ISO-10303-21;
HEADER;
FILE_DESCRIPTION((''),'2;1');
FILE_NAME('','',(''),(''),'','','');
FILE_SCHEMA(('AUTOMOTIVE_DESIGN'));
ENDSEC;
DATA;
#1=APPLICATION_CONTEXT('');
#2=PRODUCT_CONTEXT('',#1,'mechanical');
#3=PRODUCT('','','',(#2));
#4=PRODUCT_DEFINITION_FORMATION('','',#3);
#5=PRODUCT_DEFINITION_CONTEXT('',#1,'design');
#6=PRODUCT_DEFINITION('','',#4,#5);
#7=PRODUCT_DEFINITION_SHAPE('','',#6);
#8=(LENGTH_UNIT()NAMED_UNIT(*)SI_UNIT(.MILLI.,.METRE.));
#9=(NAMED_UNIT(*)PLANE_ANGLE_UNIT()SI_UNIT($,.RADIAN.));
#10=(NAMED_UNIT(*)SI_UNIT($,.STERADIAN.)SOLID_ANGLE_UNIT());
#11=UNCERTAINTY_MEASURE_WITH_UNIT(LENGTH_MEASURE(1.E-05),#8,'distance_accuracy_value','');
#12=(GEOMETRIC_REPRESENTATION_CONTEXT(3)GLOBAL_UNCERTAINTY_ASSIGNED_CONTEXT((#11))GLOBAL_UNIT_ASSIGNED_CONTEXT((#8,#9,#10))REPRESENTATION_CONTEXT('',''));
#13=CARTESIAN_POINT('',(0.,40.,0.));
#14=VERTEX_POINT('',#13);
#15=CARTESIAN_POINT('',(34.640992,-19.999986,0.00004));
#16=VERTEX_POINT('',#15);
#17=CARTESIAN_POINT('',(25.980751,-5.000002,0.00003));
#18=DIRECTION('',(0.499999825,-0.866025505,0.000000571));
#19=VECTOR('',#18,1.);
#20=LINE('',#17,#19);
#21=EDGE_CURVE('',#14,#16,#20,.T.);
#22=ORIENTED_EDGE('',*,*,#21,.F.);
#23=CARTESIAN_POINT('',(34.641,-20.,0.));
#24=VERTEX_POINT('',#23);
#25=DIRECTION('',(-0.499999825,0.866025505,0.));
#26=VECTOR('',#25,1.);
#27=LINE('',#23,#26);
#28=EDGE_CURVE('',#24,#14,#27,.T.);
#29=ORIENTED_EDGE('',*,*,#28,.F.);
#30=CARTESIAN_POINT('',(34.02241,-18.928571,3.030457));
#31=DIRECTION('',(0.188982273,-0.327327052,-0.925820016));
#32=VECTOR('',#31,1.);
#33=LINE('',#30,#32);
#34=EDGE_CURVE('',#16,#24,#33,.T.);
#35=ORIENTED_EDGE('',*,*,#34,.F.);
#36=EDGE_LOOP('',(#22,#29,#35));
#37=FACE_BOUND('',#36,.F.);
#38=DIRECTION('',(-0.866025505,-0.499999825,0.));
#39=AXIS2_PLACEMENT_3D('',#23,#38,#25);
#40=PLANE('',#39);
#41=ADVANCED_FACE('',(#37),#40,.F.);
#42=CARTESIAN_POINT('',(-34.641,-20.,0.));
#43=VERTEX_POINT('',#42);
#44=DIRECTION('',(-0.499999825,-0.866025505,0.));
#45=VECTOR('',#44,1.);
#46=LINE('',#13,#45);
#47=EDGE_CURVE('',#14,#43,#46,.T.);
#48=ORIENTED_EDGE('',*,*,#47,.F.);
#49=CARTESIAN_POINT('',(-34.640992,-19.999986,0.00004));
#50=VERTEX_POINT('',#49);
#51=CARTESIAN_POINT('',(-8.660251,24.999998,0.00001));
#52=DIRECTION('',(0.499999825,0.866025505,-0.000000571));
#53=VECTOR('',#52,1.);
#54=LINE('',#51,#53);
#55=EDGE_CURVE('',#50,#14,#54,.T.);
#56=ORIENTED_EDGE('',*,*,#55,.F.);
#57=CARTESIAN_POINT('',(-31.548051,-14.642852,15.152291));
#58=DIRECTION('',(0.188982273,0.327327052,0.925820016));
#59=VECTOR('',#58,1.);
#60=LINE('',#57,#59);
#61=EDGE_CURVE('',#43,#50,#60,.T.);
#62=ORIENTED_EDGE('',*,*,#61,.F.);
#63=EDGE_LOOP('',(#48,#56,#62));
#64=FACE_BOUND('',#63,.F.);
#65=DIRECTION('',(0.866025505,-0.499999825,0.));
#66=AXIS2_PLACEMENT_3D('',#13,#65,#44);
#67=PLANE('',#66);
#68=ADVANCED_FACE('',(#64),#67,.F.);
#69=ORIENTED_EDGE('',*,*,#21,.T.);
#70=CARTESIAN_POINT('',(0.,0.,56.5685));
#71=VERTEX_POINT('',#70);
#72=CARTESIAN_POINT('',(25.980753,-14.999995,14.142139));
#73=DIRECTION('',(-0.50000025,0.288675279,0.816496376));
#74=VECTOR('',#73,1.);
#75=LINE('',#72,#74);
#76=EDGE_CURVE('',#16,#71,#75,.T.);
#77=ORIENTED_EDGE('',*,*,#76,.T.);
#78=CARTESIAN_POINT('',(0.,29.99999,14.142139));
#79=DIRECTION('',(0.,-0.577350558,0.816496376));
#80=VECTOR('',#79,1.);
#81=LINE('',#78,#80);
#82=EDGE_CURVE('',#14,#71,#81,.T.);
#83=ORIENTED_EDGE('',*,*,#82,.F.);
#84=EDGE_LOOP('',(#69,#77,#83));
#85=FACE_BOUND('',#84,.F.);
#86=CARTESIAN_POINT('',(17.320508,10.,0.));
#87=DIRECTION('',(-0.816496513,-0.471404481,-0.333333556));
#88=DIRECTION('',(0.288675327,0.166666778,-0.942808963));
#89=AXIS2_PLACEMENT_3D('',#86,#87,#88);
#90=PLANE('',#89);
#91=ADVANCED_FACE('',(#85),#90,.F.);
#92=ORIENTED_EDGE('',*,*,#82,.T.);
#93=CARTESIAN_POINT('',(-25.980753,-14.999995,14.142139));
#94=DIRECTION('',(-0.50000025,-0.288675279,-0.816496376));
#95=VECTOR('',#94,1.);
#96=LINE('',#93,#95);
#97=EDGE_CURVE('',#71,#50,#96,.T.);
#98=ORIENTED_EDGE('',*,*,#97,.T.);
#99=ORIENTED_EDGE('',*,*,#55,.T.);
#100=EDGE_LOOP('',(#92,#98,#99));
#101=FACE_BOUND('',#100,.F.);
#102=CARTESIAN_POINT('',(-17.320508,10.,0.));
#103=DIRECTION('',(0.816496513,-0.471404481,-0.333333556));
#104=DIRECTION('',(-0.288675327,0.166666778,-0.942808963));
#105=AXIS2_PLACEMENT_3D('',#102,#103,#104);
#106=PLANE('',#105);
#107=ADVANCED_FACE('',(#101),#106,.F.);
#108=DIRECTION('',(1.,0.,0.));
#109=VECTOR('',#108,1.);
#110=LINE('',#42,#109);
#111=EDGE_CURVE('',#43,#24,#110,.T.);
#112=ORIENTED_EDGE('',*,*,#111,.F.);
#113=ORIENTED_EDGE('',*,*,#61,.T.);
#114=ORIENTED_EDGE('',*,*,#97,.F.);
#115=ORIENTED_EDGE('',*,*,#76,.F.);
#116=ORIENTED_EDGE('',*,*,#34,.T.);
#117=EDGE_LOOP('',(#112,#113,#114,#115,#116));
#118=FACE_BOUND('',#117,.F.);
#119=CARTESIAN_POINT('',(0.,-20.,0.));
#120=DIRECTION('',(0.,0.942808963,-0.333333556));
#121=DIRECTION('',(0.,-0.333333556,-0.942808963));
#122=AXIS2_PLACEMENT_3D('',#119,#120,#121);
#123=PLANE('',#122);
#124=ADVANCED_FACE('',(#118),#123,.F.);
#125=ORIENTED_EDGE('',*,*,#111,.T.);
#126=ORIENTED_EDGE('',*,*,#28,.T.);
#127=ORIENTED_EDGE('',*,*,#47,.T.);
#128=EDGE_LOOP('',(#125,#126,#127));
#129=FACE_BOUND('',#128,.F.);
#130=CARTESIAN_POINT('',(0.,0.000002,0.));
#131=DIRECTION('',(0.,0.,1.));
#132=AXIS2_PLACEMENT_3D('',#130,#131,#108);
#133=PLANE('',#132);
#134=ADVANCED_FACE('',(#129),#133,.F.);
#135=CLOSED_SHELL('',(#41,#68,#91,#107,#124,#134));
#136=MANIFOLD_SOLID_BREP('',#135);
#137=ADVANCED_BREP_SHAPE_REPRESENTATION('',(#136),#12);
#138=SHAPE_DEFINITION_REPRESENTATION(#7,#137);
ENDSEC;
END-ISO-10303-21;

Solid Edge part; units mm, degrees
sketch "Sketch1" plane through (0, 0, 0) normal (0, 0, 1) x (1, 0, 0)
  line L0 (-34.641, -20) -> (34.641, -20)
  line L1 (34.641, -20) -> (0, 40)
  line L2 (0, 40) -> (-34.641, -20)
extrude "Protrusion1" add sketch "Sketch1" along normal blind 70
sketch "Sketch2" plane through (0, 0, 0) normal (1, 0, 0) x (0, 1, 0)
  line L0 (-20, 0) -> (0, 56.5685)
extrude "ExtrudedCutout_1" cut sketch "Sketch2" along normal mid plane 301.4455 material side at (0, -10.0471, 28.3009)
pattern_circular "Pattern1" count 3 over 360 about axis through (0, 0, 0) along (0, 0, 1) of "ExtrudedCutout_1"
